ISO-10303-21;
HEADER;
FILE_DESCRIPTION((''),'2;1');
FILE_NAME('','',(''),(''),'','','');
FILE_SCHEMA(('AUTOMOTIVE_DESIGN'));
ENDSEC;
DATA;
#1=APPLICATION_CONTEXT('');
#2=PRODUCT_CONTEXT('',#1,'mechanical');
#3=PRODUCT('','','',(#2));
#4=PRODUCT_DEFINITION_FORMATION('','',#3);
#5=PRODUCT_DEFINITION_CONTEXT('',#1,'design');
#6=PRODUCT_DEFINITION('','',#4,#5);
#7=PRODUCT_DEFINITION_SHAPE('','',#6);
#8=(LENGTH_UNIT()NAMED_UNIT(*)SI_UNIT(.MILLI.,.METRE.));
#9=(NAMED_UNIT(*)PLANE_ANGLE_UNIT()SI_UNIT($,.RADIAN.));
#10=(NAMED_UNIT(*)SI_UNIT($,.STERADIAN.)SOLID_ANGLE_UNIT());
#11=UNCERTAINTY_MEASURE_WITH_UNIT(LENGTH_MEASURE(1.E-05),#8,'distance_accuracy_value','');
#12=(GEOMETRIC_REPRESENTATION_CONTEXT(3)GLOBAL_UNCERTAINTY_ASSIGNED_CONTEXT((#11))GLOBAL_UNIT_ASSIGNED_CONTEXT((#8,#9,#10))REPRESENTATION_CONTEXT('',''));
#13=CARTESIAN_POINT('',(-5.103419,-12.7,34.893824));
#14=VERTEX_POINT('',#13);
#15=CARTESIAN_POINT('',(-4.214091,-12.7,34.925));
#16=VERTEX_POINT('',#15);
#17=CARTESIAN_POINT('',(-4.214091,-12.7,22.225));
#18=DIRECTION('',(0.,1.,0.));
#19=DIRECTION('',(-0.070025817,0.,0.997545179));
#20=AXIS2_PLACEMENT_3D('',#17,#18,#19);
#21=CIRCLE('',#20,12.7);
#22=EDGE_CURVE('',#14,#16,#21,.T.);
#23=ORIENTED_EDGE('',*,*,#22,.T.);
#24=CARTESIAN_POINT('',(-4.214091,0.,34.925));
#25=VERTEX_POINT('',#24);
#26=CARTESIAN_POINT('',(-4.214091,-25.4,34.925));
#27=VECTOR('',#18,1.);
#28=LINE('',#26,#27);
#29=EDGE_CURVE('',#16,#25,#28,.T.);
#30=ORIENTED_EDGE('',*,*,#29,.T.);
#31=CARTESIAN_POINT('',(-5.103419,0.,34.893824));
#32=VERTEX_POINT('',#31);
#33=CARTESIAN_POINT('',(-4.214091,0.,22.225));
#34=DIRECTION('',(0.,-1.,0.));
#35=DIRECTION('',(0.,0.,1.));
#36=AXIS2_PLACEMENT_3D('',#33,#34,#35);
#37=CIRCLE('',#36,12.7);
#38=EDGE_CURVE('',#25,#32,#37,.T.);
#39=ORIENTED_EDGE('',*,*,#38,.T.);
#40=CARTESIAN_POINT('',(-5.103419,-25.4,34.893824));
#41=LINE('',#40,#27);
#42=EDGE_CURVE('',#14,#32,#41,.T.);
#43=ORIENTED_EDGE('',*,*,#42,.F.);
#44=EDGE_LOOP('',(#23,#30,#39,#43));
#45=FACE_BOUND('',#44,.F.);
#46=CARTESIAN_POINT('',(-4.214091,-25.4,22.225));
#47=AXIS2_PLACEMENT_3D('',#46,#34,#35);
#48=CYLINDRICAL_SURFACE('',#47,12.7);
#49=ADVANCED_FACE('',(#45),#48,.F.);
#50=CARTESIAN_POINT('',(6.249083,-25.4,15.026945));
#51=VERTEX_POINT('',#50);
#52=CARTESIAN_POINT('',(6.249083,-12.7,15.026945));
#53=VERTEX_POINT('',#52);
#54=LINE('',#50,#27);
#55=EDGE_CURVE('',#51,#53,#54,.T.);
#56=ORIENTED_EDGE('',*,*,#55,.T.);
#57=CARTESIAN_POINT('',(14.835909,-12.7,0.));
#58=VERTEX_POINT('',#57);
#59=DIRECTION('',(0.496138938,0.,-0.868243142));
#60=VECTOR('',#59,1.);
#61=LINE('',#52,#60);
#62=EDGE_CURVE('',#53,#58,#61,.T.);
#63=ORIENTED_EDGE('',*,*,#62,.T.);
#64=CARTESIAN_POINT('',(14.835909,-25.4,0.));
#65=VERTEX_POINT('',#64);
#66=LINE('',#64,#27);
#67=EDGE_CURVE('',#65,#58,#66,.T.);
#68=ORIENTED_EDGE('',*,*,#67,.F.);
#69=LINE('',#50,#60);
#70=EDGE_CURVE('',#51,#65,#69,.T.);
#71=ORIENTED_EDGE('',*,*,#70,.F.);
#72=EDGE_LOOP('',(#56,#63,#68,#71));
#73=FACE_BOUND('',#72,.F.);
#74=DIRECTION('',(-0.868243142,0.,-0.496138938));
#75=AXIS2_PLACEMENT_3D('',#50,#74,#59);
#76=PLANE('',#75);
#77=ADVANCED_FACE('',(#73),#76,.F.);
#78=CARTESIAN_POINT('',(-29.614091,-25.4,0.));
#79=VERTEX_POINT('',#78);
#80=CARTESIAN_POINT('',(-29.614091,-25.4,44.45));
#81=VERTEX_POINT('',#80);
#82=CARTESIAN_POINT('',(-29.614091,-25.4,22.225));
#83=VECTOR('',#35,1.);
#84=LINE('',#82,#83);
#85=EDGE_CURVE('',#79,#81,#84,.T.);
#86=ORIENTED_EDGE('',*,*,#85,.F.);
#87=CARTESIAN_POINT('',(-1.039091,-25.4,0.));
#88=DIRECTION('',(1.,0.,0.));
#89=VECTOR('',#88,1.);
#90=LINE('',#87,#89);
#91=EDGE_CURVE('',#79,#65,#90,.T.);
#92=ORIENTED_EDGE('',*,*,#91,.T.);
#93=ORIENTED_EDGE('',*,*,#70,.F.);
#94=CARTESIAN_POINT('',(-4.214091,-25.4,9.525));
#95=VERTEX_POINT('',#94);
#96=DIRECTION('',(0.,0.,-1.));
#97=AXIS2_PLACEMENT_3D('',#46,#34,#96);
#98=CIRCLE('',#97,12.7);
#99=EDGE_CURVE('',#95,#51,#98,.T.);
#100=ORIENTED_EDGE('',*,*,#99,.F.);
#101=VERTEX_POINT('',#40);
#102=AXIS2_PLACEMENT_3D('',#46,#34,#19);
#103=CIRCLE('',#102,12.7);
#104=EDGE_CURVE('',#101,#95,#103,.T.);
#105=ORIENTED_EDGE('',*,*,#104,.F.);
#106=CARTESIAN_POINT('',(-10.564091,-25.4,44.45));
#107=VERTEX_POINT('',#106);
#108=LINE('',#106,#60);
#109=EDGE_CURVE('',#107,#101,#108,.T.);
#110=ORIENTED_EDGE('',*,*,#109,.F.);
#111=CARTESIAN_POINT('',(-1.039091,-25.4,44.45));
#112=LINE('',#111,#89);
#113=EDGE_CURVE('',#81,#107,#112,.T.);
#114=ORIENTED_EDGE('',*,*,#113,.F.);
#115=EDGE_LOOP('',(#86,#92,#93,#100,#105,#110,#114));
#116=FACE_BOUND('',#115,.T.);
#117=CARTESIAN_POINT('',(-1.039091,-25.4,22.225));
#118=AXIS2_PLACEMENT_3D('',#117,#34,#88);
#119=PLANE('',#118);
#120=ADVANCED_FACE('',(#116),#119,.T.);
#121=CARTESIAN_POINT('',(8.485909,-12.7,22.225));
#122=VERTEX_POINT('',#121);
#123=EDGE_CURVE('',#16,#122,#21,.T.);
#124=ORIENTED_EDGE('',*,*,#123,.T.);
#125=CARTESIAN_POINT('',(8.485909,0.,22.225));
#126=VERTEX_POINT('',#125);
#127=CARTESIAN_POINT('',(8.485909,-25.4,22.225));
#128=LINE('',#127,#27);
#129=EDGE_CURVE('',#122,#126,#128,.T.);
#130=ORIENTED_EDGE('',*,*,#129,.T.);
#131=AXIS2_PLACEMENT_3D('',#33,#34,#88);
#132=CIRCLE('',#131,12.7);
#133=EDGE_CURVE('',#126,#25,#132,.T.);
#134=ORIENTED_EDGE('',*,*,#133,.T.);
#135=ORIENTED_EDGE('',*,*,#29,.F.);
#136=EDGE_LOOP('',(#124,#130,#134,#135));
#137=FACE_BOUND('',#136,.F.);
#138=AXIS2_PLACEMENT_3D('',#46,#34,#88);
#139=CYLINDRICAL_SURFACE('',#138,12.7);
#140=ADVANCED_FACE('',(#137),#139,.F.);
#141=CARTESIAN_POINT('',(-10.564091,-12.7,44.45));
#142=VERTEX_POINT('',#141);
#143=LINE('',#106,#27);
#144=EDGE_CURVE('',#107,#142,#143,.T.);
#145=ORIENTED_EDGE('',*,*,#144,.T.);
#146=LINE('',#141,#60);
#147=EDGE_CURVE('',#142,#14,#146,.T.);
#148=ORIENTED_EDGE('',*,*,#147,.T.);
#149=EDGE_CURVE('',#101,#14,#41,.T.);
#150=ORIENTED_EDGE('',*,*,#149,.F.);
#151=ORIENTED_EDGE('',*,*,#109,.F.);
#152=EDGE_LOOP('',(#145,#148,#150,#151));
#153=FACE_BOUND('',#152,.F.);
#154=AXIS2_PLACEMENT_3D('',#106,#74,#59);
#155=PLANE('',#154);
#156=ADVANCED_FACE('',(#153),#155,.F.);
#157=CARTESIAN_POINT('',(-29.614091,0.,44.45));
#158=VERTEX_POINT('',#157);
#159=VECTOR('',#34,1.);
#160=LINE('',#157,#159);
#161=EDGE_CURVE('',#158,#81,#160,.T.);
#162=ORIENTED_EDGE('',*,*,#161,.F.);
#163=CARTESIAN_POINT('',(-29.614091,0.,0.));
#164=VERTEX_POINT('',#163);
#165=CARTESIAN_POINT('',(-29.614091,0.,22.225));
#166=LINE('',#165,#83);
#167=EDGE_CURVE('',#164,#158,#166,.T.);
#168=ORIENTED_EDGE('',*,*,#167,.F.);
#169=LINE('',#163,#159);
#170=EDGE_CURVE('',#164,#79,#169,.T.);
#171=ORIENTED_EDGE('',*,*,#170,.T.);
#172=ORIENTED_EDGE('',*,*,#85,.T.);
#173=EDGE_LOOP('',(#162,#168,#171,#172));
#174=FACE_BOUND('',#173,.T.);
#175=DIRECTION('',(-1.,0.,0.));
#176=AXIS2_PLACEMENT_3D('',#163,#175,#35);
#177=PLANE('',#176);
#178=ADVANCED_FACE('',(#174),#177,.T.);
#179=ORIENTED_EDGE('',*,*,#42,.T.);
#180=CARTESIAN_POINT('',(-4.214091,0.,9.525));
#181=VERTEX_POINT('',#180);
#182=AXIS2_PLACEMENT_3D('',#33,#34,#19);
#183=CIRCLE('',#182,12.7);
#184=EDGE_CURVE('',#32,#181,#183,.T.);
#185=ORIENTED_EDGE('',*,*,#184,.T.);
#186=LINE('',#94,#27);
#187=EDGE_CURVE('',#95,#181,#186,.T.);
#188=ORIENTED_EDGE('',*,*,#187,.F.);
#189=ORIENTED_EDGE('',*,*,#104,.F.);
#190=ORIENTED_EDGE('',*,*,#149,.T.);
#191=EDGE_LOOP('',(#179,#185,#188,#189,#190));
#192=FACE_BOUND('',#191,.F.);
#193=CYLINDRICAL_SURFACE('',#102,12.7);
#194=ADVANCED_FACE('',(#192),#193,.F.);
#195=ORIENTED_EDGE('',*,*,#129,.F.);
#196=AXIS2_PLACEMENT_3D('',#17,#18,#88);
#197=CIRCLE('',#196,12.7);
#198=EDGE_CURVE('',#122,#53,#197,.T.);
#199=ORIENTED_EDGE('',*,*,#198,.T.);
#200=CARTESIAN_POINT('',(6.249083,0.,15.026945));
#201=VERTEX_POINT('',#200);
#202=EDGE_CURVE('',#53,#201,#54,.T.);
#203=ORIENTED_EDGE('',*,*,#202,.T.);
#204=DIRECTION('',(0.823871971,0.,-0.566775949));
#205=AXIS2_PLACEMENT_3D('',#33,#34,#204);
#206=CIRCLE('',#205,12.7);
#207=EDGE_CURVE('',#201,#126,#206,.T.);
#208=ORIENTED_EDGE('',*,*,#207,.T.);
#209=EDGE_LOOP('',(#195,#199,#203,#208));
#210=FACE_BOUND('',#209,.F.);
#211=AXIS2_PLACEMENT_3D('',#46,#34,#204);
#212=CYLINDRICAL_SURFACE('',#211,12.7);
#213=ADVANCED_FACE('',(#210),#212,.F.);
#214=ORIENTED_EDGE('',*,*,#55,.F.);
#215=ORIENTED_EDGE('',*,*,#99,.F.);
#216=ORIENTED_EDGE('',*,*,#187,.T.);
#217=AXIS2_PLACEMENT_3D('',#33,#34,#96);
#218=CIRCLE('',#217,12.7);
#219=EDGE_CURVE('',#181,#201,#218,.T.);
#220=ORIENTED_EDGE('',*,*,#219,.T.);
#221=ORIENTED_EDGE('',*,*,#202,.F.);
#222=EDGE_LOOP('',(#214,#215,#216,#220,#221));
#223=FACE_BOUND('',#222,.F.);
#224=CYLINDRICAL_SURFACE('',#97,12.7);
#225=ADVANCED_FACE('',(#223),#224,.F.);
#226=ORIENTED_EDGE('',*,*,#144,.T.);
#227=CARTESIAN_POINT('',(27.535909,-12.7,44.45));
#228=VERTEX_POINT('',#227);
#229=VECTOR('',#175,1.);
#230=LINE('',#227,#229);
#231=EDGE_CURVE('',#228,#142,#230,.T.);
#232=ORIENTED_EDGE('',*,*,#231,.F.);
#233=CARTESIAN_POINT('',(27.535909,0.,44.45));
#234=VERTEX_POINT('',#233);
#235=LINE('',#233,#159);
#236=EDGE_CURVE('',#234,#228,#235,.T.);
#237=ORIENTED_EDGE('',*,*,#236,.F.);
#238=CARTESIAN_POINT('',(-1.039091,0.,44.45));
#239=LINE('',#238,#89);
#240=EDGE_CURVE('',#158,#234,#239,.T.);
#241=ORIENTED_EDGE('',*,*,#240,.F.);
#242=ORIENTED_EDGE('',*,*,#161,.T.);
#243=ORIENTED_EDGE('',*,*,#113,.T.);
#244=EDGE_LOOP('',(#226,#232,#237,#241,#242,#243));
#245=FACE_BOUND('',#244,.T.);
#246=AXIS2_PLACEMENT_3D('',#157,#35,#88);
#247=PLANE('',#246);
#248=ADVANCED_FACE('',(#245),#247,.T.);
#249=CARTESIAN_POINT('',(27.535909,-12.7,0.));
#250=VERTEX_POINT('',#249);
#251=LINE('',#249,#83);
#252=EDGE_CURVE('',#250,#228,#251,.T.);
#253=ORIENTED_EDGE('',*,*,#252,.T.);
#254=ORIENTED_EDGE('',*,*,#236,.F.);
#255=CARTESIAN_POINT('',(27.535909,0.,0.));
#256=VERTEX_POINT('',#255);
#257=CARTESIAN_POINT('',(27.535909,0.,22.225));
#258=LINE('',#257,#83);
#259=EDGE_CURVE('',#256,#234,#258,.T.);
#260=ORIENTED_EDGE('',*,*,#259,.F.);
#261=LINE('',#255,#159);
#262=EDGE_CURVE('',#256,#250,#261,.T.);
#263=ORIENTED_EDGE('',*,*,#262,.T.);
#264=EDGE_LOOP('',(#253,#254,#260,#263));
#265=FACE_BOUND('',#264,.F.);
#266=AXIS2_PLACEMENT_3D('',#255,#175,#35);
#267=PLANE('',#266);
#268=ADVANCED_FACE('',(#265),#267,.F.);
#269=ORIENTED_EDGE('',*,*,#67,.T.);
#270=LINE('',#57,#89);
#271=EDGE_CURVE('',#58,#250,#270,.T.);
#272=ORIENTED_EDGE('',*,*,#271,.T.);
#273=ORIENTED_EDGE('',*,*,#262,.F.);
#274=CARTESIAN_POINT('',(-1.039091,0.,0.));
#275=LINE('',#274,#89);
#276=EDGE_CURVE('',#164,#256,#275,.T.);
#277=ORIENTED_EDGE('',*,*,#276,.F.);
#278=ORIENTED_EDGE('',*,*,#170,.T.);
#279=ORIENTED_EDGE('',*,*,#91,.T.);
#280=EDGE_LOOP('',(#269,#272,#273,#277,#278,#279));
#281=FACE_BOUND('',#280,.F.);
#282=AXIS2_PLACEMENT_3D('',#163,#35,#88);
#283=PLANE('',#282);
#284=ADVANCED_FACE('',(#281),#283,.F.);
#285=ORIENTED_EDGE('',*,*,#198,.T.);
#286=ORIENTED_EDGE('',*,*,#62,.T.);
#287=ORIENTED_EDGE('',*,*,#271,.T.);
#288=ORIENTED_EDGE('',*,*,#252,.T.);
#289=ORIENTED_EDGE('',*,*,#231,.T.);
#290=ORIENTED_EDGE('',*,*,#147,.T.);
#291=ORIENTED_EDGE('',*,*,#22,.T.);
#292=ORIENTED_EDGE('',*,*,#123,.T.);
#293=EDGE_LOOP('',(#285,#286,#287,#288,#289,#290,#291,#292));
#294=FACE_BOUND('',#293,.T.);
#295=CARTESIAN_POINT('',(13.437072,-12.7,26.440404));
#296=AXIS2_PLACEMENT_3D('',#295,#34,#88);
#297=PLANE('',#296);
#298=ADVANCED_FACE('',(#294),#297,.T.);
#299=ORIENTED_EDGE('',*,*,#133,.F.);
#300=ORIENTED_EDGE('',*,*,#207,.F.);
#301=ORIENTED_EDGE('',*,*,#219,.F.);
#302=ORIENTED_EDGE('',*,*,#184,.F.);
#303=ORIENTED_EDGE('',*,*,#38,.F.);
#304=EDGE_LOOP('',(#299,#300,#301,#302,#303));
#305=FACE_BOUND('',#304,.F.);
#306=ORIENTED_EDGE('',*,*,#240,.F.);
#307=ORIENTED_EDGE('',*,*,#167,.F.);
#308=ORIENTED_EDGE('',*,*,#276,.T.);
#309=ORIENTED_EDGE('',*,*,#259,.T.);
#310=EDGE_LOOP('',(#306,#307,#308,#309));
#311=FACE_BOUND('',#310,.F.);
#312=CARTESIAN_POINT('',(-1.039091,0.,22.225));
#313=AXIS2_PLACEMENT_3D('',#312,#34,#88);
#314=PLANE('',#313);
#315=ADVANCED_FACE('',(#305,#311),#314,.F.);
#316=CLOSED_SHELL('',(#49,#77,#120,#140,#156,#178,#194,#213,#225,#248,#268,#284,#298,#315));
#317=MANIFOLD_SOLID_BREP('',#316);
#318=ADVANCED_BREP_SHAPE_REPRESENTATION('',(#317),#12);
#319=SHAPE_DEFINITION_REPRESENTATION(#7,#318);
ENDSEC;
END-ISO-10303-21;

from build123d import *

# Parameters (mm, degrees)
F0_W     = 57.15
F0_H     = 44.45
F1_DEPTH = 25.4
F3_DEPTH = 25.401
F5_DEPTH = 12.7


with BuildPart() as f1:
    # F0 (on Front) → F1 (new body)
    with BuildSketch(Plane.XZ):
        with Locations((-1.039090705, 22.225)):
            Rectangle(F0_W, F0_H)
    extrude(amount=F1_DEPTH)

    # F2 (on face) → F3 (cut, through all)
    with BuildSketch(Plane.XZ.offset(25.4)):
        with BuildLine():
            Line((-4.214090705, 33.3375), (-4.214090705, 34.925))
            ThreePointArc((-4.214090705, 34.925), (-4.6590277858, 34.9172035516), (-5.1034185785, 34.8938237786))
            Line((-5.1034185785, 34.8938237786), (-4.214090705, 33.3375))
        make_face()
        with BuildLine():
            Line((6.2490833223, 15.0269454522), (-4.214090705, 33.3375))
            Line((-4.214090705, 33.3375), (-4.214090705, 9.525))
            ThreePointArc((-4.214090705, 9.525), (1.6966921214, 10.984330697), (6.2490833223, 15.0269454522))
        make_face()
        with BuildLine():
            ThreePointArc((8.485909295, 22.225), (4.7661654161, 31.2052561211), (-4.214090705, 34.925))
            Line((-4.214090705, 34.925), (-4.214090705, 33.3375))
            Line((-4.214090705, 33.3375), (6.2490833223, 15.0269454522))
            ThreePointArc((6.2490833223, 15.0269454522), (7.9138174029, 18.4562011295), (8.485909295, 22.225))
        make_face()
        with BuildLine():
            Line((-4.214090705, 9.525), (-4.214090705, 33.3375))
            Line((-4.214090705, 33.3375), (-5.1034185785, 34.8938237786))
            ThreePointArc((-5.1034185785, 34.8938237786), (-16.9062942566, 21.7800629192), (-4.214090705, 9.525))
        make_face()
    extrude(amount=-F3_DEPTH, mode=Mode.SUBTRACT)

    # F4 (on face) → F5 (cut)
    with BuildSketch(Plane.XZ.offset(25.4)):
        with BuildLine():
            Line((6.2490833223, 15.0269454522), (14.835909295, 0))
            Line((14.835909295, 0), (27.535909295, 0))
            Line((27.535909295, 0), (27.535909295, 44.45))
            Line((27.535909295, 44.45), (-10.564090705, 44.45))
            Line((-10.564090705, 44.45), (-5.1034185785, 34.8938237786))
            ThreePointArc((-5.1034185785, 34.8938237786), (4.4460344675, 31.5143612265), (8.485909295, 22.225))
            ThreePointArc((8.485909295, 22.225), (7.9138174029, 18.4562011295), (6.2490833223, 15.0269454522))
        make_face()
    extrude(amount=-F5_DEPTH, mode=Mode.SUBTRACT)


solid = f1.part
